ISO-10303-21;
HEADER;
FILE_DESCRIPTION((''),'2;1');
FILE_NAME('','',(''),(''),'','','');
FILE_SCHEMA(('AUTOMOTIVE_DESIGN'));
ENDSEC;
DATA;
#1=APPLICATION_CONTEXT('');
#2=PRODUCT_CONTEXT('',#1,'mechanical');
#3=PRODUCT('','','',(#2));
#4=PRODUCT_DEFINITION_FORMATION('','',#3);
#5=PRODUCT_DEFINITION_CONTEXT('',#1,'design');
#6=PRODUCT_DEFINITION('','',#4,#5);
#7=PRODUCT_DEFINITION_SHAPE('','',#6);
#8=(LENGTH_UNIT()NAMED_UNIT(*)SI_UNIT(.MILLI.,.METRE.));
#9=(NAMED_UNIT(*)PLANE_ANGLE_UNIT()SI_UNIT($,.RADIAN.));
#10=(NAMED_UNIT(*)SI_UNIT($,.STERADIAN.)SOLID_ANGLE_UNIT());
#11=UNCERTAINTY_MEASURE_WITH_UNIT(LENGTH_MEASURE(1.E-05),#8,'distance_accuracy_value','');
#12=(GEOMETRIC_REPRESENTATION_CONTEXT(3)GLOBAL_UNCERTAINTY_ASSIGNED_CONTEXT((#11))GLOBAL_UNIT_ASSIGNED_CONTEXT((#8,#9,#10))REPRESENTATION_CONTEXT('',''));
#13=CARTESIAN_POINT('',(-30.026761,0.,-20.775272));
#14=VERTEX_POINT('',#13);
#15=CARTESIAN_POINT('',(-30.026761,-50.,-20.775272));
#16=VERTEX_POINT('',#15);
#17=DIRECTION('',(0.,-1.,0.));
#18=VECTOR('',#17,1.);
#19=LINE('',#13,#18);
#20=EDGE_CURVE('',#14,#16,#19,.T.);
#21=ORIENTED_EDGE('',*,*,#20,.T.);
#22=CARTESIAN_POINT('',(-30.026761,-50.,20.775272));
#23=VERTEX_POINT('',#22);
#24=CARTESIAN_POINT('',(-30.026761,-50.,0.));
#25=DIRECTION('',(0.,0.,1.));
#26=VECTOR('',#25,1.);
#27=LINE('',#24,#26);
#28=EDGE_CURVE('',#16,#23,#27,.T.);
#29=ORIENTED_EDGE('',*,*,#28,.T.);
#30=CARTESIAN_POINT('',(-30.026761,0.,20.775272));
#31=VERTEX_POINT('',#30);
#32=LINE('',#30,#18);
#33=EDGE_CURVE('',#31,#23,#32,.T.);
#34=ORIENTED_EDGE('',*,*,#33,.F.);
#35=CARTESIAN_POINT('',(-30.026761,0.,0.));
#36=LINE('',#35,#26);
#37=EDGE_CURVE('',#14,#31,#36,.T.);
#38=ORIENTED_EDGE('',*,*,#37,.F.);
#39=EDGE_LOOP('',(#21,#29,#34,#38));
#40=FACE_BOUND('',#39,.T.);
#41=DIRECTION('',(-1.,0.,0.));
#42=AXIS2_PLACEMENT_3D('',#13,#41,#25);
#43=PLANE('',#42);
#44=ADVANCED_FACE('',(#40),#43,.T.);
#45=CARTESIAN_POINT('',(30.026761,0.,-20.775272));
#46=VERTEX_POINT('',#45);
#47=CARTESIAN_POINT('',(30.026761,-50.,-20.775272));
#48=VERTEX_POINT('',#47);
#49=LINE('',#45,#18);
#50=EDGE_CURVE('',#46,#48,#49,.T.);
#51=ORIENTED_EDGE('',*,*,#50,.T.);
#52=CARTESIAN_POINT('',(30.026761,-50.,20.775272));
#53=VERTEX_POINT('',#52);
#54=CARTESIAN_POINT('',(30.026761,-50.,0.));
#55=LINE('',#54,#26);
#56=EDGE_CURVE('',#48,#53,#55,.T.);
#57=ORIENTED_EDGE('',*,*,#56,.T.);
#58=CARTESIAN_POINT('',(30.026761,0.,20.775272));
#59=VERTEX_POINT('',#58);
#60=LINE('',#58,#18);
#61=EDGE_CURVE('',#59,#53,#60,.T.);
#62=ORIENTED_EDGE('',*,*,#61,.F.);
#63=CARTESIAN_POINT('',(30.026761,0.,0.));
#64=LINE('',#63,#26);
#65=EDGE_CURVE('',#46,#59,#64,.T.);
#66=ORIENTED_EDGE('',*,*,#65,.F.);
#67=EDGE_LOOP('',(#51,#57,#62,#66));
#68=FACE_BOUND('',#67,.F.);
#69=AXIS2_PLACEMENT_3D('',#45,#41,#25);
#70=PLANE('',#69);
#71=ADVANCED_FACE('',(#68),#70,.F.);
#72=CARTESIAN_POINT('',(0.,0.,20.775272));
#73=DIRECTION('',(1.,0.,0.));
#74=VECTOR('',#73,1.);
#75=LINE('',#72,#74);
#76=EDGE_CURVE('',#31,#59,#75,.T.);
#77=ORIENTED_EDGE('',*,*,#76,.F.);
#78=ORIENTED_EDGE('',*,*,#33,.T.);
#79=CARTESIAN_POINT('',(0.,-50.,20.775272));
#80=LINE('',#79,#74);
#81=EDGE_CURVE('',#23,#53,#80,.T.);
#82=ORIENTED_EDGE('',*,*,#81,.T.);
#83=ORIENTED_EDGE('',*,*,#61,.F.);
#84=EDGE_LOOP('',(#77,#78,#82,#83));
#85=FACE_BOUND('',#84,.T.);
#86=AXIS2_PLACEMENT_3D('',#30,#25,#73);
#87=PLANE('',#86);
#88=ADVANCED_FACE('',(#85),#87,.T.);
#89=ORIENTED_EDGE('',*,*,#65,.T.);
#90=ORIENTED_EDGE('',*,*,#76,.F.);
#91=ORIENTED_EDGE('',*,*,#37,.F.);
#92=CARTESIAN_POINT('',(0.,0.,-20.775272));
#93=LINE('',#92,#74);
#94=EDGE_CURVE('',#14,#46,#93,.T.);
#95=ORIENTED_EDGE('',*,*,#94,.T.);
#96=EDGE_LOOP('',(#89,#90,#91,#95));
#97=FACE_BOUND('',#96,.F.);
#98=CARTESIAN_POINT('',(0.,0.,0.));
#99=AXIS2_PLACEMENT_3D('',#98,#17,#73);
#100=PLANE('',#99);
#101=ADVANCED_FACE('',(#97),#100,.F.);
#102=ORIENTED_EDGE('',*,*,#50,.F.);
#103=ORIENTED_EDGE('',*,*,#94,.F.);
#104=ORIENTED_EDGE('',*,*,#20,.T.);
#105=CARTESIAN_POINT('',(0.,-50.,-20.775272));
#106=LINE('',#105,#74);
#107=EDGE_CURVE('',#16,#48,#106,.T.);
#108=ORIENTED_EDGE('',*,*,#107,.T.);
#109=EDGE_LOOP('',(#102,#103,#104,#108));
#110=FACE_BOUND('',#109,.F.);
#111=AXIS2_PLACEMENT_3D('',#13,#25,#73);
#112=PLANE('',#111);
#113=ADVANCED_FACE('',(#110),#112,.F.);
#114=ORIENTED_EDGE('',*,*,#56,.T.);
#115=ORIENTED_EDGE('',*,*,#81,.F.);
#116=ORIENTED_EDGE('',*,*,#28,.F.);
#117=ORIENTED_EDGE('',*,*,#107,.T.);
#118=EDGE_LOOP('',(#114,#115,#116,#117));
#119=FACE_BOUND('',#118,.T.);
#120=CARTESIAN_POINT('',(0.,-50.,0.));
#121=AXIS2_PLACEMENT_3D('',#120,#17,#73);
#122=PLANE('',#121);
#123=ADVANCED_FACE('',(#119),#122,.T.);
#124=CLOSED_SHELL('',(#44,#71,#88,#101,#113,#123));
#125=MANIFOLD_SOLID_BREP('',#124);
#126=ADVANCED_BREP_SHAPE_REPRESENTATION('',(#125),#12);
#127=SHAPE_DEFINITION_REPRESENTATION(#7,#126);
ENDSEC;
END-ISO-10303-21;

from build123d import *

# Parameters (mm, degrees)
F0_W     = 60.053522
F0_H     = 41.550544
F0_R     = 5
F1_DEPTH = 50


with BuildPart() as f1:
    # F0 (on Front) → F1 (new body)
    with BuildSketch(Plane.XZ):
        Rectangle(F0_W, F0_H)
        with Locations((-20.026761, -10.775272)):
            Circle(F0_R, mode=Mode.SUBTRACT)
        with Locations((20.026761, -10.775272)):
            Circle(F0_R, mode=Mode.SUBTRACT)
        with Locations((-20.026761, 10.775272)):
            Circle(F0_R, mode=Mode.SUBTRACT)
        with Locations((20.026761, 10.775272)):
            Circle(F0_R, mode=Mode.SUBTRACT)
        with Locations((-20.026761, 10.775272)):
            Circle(F0_R)
        with Locations((20.026761, 10.775272)):
            Circle(F0_R)
        with Locations((20.026761, -10.775272)):
            Circle(F0_R)
        with Locations((-20.026761, -10.775272)):
            Circle(F0_R)
    extrude(amount=F1_DEPTH)


solid = f1.part
